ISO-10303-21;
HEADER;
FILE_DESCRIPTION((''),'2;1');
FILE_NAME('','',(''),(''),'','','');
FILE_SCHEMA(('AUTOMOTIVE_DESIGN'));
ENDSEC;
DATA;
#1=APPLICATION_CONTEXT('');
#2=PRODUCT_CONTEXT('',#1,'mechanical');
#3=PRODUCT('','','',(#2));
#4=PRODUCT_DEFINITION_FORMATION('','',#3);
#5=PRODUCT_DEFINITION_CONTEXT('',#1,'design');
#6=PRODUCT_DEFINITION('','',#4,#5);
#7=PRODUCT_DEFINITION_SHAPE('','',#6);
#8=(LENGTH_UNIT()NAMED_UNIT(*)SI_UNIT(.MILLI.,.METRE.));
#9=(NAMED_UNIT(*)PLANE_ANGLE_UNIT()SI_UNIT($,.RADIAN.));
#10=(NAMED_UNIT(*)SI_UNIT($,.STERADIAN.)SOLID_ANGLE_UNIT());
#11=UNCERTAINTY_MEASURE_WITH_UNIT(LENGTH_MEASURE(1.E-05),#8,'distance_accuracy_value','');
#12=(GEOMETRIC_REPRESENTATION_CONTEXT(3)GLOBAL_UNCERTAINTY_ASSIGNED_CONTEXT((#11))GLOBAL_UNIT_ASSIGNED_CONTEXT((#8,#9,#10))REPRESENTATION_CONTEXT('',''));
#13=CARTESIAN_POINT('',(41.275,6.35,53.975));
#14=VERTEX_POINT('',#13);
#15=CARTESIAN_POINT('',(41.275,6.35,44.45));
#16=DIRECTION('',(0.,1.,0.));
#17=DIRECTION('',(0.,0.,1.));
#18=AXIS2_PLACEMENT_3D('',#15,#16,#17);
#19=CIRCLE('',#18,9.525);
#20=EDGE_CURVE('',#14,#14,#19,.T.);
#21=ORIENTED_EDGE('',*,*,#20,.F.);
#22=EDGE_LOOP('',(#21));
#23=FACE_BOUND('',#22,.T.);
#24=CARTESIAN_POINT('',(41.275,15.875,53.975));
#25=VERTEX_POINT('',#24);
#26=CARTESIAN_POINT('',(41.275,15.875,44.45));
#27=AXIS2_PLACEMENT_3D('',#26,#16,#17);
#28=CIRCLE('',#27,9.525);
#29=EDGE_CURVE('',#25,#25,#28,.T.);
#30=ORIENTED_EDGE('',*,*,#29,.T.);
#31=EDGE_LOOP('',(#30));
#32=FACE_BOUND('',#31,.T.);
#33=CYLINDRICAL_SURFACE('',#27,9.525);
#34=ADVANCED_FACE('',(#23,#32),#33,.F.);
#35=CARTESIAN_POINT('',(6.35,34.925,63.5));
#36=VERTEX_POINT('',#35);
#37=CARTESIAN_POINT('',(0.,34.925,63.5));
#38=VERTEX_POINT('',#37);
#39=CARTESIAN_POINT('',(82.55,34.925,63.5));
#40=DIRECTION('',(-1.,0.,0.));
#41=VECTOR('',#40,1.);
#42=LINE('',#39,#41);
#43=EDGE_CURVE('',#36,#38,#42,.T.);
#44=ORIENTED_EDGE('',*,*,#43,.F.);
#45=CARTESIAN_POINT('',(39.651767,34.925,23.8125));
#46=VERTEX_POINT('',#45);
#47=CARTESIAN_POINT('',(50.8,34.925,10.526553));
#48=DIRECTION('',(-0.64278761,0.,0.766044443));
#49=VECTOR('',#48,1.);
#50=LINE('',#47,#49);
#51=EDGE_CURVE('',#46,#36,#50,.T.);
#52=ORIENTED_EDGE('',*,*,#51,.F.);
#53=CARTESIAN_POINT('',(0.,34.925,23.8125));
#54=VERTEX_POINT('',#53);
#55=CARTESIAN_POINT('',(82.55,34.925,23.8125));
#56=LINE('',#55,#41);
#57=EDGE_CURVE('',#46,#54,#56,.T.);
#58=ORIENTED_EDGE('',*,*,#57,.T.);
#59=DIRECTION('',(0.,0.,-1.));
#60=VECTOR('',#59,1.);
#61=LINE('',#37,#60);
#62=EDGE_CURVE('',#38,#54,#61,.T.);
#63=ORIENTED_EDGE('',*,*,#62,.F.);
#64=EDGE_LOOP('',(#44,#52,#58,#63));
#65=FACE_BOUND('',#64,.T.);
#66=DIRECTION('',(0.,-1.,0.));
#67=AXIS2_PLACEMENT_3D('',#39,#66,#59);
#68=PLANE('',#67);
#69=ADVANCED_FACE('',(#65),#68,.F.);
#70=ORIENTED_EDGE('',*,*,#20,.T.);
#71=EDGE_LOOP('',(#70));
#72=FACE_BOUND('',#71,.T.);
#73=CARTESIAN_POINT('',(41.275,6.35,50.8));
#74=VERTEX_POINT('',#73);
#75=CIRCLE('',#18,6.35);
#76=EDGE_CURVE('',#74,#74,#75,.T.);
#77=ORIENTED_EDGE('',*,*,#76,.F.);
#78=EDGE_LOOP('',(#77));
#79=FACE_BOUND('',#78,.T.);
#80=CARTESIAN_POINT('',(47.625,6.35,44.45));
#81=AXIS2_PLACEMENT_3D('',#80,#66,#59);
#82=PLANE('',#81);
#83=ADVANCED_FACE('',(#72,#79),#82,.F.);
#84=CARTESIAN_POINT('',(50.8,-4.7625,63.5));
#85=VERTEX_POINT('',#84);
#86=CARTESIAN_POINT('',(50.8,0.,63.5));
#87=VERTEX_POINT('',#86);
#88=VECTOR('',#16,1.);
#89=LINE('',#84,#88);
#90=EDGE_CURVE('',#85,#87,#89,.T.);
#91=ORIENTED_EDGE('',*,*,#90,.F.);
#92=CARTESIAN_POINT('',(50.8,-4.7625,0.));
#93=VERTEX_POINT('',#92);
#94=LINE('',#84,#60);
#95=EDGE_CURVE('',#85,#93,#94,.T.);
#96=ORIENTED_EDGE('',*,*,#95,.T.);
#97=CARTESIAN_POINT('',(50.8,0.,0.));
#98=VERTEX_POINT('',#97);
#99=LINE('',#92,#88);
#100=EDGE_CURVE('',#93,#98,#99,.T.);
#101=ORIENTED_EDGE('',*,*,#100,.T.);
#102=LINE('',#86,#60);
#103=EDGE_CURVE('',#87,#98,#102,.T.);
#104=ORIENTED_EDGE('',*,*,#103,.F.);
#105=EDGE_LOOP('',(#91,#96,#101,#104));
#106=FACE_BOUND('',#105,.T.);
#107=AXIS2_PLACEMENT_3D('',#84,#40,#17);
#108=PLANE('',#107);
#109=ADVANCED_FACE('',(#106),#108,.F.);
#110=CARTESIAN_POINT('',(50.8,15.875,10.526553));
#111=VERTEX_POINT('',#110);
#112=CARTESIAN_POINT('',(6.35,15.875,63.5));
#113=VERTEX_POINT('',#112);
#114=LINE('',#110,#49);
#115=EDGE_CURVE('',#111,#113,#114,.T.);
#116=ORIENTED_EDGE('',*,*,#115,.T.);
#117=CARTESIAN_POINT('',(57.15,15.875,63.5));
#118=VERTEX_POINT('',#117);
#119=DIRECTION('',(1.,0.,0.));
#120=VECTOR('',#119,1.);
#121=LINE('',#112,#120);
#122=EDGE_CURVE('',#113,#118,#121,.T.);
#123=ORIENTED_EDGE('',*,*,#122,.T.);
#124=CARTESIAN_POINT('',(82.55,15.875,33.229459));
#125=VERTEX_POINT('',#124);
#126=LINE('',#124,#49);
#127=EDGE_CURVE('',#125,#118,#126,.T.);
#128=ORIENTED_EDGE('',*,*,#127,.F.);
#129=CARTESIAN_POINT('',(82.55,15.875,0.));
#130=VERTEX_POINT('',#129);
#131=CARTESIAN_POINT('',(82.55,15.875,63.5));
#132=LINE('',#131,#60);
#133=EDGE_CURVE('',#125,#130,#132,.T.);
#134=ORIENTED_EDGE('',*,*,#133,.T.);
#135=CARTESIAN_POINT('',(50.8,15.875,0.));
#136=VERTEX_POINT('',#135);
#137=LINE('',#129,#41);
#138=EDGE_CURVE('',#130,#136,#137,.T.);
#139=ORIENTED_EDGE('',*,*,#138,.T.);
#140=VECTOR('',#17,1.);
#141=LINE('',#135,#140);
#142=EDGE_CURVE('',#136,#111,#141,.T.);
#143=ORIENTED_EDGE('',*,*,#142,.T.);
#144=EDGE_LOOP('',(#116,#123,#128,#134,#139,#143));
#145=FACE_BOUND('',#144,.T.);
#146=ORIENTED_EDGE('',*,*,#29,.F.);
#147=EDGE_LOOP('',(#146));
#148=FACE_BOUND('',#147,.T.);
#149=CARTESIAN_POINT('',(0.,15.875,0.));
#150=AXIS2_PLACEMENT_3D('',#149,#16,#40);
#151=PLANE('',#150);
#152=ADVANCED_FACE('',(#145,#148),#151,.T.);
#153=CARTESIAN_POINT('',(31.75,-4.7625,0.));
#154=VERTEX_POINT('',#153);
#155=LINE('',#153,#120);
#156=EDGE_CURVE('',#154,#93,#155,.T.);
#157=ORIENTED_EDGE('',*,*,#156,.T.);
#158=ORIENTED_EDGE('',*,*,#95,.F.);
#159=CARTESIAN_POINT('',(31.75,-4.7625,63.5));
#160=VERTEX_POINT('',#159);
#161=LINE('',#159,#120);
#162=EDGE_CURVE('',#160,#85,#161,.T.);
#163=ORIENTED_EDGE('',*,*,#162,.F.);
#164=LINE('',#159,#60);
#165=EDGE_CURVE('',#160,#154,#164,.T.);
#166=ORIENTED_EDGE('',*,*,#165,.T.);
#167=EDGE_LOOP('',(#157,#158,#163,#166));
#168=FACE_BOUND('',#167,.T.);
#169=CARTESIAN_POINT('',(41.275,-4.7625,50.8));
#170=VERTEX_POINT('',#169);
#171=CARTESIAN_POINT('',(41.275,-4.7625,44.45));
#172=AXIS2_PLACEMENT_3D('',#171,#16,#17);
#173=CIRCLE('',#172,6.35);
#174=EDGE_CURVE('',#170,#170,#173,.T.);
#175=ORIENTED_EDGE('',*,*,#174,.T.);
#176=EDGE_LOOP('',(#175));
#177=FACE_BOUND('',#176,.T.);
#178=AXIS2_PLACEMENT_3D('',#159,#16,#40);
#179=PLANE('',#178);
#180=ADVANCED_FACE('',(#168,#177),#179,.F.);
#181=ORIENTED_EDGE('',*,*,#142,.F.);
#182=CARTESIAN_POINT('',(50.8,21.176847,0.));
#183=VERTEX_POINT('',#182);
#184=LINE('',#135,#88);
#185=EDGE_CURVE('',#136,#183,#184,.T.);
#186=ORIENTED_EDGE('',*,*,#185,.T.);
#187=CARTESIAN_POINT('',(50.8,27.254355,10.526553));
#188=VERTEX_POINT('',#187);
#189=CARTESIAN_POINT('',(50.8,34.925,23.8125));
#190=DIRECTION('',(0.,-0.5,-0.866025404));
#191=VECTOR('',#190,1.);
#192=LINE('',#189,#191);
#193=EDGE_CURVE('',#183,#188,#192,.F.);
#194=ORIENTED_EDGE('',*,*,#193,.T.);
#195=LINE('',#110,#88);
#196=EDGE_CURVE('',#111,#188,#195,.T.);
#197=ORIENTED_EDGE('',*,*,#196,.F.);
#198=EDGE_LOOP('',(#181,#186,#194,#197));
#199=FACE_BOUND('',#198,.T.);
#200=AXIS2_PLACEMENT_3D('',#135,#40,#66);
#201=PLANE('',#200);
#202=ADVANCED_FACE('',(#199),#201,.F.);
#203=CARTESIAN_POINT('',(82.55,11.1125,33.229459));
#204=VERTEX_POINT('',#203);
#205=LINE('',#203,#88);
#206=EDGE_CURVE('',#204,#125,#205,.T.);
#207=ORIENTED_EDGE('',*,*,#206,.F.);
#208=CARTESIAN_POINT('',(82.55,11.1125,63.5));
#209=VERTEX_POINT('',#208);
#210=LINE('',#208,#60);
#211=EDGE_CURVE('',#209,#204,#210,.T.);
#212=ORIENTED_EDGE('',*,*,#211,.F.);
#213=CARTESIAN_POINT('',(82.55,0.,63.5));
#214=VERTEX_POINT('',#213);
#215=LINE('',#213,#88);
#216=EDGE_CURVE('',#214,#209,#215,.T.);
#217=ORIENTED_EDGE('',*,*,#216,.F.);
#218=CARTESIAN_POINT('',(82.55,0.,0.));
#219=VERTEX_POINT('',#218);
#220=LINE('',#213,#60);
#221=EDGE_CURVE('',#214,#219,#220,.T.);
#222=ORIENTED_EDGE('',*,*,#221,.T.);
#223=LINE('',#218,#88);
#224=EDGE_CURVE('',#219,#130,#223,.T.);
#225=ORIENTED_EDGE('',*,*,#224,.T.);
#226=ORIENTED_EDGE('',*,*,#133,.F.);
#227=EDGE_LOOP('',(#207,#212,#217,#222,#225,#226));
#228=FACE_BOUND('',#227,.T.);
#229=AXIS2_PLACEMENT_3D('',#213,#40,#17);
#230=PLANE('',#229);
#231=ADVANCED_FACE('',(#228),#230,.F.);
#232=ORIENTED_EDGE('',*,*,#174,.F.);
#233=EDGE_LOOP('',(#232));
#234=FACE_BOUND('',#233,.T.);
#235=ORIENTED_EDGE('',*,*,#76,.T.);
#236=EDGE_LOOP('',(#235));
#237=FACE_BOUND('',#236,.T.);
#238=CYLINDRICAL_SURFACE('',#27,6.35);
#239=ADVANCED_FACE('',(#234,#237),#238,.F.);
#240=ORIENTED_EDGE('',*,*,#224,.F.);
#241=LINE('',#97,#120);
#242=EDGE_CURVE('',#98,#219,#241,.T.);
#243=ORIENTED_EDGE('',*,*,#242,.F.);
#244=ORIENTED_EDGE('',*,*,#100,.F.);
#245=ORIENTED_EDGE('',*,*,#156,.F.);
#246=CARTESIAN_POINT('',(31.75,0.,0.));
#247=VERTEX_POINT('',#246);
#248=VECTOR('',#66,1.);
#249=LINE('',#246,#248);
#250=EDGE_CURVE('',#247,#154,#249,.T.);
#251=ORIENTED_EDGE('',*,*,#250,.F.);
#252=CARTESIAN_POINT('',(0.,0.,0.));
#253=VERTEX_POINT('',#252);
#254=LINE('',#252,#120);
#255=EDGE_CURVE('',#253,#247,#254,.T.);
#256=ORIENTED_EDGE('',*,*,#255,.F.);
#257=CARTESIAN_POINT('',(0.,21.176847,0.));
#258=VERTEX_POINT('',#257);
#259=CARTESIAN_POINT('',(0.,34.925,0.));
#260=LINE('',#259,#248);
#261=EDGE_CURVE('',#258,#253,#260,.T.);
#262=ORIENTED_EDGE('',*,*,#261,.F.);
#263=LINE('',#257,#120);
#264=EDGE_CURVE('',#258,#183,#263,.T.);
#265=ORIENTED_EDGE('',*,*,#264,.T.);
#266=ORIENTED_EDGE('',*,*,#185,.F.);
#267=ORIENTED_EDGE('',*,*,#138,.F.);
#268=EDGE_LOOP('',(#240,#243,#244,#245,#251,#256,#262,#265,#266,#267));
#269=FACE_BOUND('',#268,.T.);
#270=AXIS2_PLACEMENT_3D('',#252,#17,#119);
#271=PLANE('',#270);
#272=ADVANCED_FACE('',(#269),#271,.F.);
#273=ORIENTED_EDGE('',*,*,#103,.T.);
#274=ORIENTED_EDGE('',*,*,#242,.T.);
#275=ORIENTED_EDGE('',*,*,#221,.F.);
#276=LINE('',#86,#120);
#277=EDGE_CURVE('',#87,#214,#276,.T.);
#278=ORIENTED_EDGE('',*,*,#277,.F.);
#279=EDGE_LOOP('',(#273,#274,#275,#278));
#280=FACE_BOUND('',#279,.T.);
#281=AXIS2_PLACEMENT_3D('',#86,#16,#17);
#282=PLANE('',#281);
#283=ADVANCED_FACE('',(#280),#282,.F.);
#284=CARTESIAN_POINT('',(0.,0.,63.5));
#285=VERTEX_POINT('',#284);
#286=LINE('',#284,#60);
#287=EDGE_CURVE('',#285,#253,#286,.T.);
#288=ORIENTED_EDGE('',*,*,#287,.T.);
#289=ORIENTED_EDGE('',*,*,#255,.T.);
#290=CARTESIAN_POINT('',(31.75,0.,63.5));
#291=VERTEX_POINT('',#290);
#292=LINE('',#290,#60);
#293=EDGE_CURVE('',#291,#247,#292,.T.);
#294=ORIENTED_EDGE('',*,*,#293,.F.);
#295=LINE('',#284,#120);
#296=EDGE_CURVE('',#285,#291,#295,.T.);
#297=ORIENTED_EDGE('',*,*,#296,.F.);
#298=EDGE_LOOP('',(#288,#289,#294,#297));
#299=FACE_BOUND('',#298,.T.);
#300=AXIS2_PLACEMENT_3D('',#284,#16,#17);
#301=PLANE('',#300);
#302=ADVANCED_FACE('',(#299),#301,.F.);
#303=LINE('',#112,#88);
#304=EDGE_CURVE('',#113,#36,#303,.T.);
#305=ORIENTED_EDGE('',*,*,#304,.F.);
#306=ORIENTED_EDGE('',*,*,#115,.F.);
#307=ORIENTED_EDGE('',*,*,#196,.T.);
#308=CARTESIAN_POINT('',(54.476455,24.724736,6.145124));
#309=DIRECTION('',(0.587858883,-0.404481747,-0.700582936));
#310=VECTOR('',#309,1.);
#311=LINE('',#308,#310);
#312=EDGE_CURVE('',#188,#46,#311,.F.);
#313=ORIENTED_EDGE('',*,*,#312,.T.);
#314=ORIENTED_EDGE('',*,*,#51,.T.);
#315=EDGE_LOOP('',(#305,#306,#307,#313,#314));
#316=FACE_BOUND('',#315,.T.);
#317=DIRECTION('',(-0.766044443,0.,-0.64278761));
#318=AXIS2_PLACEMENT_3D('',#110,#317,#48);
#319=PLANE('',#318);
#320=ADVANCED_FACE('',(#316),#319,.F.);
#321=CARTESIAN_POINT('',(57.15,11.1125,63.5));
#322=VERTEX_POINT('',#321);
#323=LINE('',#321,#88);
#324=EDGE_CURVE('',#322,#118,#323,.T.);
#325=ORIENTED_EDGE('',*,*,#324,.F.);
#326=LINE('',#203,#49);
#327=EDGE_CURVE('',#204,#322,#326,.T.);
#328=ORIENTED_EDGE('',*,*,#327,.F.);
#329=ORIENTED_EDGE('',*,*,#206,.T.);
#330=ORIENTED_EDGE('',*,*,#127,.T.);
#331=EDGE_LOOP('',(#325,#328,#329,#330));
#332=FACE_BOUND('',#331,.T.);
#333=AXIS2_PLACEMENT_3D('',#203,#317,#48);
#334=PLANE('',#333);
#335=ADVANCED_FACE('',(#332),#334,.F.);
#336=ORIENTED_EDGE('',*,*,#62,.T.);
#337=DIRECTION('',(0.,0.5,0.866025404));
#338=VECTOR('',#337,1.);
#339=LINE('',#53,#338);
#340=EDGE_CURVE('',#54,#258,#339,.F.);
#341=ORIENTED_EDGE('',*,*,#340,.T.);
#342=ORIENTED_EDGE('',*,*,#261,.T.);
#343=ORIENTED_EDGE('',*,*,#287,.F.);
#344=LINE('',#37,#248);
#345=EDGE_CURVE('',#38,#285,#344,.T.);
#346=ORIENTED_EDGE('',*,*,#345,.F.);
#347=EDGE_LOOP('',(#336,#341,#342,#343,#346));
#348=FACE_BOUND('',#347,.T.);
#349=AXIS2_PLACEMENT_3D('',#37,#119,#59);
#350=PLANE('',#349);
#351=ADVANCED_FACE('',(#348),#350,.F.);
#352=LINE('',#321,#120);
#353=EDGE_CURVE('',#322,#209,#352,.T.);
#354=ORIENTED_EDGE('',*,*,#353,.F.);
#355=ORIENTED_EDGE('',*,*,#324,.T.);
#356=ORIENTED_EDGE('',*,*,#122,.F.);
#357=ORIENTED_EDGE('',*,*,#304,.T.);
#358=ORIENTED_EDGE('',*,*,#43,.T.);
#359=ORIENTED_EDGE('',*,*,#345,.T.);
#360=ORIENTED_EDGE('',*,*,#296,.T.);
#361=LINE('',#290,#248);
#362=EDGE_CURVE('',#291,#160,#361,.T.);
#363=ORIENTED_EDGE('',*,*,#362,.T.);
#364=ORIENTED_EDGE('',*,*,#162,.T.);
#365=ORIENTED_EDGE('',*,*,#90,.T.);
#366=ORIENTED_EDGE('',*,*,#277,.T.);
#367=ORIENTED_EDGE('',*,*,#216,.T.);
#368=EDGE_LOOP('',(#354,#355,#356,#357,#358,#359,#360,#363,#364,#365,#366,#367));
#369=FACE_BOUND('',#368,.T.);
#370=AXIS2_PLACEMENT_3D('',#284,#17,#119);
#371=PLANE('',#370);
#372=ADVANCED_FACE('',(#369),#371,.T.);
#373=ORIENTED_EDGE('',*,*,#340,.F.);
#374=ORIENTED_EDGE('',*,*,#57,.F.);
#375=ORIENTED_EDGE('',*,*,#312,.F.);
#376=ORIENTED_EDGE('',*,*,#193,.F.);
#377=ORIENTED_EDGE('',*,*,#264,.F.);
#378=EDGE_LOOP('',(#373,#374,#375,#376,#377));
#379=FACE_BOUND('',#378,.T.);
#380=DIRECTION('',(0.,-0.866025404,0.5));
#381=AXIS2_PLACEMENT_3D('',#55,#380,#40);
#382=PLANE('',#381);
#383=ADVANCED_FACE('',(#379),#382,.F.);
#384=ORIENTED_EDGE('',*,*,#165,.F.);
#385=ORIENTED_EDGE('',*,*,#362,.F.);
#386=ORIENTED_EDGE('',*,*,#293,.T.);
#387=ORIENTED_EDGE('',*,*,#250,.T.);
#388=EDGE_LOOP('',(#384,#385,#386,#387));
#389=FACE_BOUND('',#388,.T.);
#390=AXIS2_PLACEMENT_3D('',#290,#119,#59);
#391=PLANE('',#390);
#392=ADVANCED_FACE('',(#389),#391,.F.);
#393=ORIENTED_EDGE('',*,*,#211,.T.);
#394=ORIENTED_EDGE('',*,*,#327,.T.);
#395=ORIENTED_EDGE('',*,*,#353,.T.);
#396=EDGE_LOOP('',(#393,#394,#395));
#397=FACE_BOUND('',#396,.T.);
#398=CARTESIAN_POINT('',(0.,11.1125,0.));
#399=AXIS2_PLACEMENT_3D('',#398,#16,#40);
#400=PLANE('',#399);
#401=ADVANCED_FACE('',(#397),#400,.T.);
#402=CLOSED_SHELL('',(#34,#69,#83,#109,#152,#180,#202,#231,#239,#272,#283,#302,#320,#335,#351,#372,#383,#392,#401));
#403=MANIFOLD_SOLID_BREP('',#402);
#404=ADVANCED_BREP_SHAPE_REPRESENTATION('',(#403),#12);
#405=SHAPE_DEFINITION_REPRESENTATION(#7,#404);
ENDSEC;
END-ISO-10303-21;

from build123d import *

# Parameters (mm, degrees)
BOSS_EXTRU_1_DEPTH                               = 63.5
CHANFREIN1_SIZE                                  = 23.8125
CHANFREIN1_SIZE2                                 = 13.748153285
ENL_V_MAT_EXTRU_1_DEPTH                          = 19.05
CHAMBRAGE_POUR_VIS_T_TE_RONDE_BOMB_E_D           = 12.7
CHAMBRAGE_POUR_VIS_T_TE_RONDE_BOMB_E_CBORE_D     = 19.05
CHAMBRAGE_POUR_VIS_T_TE_RONDE_BOMB_E_CBORE_DEPTH = 9.525
ENL_V_MAT_EXTRU_2_DEPTH                          = 4.7625


with BuildPart() as part:
    # Esquisse1 → Boss.-Extru.1 (new body)
    with BuildSketch(Plane.XY):
        Polygon((0, 0), (31.75, 0), (31.75, -4.7625), (50.8, -4.7625), (50.8, 0), (82.55, 0), (82.55, 34.925), (0, 34.925), align=None)
    extrude(amount=BOSS_EXTRU_1_DEPTH)

    # Chanfrein1
    chanfrein1_edges = [part.edges().sort_by_distance(p)[0] for p in [
        (41.275, 34.925, 0),
    ]]
    chanfrein1_side = [part.faces().sort_by_distance(p)[0] for p in [
        (41.275, 34.925, 31.75),
    ]]
    chamfer(chanfrein1_edges, length=CHANFREIN1_SIZE, length2=CHANFREIN1_SIZE2, reference=chanfrein1_side[0])

    # Esquisse2 → Enlèv. mat.-Extru.1 (cut)
    with BuildSketch(Plane(origin=(0, 34.925, 0), x_dir=(1, 0, 0), z_dir=(0, 1, 0))):
        Polygon((50.8, 0), (50.8, -10.526552809), (6.35, -63.5), (82.55, -63.5), (82.55, 0), align=None)
    extrude(amount=-ENL_V_MAT_EXTRU_1_DEPTH, mode=Mode.SUBTRACT)

    # Chambrage pour vis à tête ronde bombée #01 (through all)
    with Locations(Plane(origin=(0, 15.875, 0), x_dir=(1, 0, 0), z_dir=(0, 1, 0))):
        with Locations((41.275, -44.45)):
            CounterBoreHole(CHAMBRAGE_POUR_VIS_T_TE_RONDE_BOMB_E_D / 2, CHAMBRAGE_POUR_VIS_T_TE_RONDE_BOMB_E_CBORE_D / 2, CHAMBRAGE_POUR_VIS_T_TE_RONDE_BOMB_E_CBORE_DEPTH)

    # Esquisse5 → Enlèv. mat.-Extru.2 (cut)
    with BuildSketch(Plane(origin=(0, 15.875, 0), x_dir=(1, 0, 0), z_dir=(0, 1, 0))):
        Polygon((57.15, -63.5), (82.55, -63.5), (82.55, -33.229458748), align=None)
    extrude(amount=-ENL_V_MAT_EXTRU_2_DEPTH, mode=Mode.SUBTRACT)


solid = part.part
